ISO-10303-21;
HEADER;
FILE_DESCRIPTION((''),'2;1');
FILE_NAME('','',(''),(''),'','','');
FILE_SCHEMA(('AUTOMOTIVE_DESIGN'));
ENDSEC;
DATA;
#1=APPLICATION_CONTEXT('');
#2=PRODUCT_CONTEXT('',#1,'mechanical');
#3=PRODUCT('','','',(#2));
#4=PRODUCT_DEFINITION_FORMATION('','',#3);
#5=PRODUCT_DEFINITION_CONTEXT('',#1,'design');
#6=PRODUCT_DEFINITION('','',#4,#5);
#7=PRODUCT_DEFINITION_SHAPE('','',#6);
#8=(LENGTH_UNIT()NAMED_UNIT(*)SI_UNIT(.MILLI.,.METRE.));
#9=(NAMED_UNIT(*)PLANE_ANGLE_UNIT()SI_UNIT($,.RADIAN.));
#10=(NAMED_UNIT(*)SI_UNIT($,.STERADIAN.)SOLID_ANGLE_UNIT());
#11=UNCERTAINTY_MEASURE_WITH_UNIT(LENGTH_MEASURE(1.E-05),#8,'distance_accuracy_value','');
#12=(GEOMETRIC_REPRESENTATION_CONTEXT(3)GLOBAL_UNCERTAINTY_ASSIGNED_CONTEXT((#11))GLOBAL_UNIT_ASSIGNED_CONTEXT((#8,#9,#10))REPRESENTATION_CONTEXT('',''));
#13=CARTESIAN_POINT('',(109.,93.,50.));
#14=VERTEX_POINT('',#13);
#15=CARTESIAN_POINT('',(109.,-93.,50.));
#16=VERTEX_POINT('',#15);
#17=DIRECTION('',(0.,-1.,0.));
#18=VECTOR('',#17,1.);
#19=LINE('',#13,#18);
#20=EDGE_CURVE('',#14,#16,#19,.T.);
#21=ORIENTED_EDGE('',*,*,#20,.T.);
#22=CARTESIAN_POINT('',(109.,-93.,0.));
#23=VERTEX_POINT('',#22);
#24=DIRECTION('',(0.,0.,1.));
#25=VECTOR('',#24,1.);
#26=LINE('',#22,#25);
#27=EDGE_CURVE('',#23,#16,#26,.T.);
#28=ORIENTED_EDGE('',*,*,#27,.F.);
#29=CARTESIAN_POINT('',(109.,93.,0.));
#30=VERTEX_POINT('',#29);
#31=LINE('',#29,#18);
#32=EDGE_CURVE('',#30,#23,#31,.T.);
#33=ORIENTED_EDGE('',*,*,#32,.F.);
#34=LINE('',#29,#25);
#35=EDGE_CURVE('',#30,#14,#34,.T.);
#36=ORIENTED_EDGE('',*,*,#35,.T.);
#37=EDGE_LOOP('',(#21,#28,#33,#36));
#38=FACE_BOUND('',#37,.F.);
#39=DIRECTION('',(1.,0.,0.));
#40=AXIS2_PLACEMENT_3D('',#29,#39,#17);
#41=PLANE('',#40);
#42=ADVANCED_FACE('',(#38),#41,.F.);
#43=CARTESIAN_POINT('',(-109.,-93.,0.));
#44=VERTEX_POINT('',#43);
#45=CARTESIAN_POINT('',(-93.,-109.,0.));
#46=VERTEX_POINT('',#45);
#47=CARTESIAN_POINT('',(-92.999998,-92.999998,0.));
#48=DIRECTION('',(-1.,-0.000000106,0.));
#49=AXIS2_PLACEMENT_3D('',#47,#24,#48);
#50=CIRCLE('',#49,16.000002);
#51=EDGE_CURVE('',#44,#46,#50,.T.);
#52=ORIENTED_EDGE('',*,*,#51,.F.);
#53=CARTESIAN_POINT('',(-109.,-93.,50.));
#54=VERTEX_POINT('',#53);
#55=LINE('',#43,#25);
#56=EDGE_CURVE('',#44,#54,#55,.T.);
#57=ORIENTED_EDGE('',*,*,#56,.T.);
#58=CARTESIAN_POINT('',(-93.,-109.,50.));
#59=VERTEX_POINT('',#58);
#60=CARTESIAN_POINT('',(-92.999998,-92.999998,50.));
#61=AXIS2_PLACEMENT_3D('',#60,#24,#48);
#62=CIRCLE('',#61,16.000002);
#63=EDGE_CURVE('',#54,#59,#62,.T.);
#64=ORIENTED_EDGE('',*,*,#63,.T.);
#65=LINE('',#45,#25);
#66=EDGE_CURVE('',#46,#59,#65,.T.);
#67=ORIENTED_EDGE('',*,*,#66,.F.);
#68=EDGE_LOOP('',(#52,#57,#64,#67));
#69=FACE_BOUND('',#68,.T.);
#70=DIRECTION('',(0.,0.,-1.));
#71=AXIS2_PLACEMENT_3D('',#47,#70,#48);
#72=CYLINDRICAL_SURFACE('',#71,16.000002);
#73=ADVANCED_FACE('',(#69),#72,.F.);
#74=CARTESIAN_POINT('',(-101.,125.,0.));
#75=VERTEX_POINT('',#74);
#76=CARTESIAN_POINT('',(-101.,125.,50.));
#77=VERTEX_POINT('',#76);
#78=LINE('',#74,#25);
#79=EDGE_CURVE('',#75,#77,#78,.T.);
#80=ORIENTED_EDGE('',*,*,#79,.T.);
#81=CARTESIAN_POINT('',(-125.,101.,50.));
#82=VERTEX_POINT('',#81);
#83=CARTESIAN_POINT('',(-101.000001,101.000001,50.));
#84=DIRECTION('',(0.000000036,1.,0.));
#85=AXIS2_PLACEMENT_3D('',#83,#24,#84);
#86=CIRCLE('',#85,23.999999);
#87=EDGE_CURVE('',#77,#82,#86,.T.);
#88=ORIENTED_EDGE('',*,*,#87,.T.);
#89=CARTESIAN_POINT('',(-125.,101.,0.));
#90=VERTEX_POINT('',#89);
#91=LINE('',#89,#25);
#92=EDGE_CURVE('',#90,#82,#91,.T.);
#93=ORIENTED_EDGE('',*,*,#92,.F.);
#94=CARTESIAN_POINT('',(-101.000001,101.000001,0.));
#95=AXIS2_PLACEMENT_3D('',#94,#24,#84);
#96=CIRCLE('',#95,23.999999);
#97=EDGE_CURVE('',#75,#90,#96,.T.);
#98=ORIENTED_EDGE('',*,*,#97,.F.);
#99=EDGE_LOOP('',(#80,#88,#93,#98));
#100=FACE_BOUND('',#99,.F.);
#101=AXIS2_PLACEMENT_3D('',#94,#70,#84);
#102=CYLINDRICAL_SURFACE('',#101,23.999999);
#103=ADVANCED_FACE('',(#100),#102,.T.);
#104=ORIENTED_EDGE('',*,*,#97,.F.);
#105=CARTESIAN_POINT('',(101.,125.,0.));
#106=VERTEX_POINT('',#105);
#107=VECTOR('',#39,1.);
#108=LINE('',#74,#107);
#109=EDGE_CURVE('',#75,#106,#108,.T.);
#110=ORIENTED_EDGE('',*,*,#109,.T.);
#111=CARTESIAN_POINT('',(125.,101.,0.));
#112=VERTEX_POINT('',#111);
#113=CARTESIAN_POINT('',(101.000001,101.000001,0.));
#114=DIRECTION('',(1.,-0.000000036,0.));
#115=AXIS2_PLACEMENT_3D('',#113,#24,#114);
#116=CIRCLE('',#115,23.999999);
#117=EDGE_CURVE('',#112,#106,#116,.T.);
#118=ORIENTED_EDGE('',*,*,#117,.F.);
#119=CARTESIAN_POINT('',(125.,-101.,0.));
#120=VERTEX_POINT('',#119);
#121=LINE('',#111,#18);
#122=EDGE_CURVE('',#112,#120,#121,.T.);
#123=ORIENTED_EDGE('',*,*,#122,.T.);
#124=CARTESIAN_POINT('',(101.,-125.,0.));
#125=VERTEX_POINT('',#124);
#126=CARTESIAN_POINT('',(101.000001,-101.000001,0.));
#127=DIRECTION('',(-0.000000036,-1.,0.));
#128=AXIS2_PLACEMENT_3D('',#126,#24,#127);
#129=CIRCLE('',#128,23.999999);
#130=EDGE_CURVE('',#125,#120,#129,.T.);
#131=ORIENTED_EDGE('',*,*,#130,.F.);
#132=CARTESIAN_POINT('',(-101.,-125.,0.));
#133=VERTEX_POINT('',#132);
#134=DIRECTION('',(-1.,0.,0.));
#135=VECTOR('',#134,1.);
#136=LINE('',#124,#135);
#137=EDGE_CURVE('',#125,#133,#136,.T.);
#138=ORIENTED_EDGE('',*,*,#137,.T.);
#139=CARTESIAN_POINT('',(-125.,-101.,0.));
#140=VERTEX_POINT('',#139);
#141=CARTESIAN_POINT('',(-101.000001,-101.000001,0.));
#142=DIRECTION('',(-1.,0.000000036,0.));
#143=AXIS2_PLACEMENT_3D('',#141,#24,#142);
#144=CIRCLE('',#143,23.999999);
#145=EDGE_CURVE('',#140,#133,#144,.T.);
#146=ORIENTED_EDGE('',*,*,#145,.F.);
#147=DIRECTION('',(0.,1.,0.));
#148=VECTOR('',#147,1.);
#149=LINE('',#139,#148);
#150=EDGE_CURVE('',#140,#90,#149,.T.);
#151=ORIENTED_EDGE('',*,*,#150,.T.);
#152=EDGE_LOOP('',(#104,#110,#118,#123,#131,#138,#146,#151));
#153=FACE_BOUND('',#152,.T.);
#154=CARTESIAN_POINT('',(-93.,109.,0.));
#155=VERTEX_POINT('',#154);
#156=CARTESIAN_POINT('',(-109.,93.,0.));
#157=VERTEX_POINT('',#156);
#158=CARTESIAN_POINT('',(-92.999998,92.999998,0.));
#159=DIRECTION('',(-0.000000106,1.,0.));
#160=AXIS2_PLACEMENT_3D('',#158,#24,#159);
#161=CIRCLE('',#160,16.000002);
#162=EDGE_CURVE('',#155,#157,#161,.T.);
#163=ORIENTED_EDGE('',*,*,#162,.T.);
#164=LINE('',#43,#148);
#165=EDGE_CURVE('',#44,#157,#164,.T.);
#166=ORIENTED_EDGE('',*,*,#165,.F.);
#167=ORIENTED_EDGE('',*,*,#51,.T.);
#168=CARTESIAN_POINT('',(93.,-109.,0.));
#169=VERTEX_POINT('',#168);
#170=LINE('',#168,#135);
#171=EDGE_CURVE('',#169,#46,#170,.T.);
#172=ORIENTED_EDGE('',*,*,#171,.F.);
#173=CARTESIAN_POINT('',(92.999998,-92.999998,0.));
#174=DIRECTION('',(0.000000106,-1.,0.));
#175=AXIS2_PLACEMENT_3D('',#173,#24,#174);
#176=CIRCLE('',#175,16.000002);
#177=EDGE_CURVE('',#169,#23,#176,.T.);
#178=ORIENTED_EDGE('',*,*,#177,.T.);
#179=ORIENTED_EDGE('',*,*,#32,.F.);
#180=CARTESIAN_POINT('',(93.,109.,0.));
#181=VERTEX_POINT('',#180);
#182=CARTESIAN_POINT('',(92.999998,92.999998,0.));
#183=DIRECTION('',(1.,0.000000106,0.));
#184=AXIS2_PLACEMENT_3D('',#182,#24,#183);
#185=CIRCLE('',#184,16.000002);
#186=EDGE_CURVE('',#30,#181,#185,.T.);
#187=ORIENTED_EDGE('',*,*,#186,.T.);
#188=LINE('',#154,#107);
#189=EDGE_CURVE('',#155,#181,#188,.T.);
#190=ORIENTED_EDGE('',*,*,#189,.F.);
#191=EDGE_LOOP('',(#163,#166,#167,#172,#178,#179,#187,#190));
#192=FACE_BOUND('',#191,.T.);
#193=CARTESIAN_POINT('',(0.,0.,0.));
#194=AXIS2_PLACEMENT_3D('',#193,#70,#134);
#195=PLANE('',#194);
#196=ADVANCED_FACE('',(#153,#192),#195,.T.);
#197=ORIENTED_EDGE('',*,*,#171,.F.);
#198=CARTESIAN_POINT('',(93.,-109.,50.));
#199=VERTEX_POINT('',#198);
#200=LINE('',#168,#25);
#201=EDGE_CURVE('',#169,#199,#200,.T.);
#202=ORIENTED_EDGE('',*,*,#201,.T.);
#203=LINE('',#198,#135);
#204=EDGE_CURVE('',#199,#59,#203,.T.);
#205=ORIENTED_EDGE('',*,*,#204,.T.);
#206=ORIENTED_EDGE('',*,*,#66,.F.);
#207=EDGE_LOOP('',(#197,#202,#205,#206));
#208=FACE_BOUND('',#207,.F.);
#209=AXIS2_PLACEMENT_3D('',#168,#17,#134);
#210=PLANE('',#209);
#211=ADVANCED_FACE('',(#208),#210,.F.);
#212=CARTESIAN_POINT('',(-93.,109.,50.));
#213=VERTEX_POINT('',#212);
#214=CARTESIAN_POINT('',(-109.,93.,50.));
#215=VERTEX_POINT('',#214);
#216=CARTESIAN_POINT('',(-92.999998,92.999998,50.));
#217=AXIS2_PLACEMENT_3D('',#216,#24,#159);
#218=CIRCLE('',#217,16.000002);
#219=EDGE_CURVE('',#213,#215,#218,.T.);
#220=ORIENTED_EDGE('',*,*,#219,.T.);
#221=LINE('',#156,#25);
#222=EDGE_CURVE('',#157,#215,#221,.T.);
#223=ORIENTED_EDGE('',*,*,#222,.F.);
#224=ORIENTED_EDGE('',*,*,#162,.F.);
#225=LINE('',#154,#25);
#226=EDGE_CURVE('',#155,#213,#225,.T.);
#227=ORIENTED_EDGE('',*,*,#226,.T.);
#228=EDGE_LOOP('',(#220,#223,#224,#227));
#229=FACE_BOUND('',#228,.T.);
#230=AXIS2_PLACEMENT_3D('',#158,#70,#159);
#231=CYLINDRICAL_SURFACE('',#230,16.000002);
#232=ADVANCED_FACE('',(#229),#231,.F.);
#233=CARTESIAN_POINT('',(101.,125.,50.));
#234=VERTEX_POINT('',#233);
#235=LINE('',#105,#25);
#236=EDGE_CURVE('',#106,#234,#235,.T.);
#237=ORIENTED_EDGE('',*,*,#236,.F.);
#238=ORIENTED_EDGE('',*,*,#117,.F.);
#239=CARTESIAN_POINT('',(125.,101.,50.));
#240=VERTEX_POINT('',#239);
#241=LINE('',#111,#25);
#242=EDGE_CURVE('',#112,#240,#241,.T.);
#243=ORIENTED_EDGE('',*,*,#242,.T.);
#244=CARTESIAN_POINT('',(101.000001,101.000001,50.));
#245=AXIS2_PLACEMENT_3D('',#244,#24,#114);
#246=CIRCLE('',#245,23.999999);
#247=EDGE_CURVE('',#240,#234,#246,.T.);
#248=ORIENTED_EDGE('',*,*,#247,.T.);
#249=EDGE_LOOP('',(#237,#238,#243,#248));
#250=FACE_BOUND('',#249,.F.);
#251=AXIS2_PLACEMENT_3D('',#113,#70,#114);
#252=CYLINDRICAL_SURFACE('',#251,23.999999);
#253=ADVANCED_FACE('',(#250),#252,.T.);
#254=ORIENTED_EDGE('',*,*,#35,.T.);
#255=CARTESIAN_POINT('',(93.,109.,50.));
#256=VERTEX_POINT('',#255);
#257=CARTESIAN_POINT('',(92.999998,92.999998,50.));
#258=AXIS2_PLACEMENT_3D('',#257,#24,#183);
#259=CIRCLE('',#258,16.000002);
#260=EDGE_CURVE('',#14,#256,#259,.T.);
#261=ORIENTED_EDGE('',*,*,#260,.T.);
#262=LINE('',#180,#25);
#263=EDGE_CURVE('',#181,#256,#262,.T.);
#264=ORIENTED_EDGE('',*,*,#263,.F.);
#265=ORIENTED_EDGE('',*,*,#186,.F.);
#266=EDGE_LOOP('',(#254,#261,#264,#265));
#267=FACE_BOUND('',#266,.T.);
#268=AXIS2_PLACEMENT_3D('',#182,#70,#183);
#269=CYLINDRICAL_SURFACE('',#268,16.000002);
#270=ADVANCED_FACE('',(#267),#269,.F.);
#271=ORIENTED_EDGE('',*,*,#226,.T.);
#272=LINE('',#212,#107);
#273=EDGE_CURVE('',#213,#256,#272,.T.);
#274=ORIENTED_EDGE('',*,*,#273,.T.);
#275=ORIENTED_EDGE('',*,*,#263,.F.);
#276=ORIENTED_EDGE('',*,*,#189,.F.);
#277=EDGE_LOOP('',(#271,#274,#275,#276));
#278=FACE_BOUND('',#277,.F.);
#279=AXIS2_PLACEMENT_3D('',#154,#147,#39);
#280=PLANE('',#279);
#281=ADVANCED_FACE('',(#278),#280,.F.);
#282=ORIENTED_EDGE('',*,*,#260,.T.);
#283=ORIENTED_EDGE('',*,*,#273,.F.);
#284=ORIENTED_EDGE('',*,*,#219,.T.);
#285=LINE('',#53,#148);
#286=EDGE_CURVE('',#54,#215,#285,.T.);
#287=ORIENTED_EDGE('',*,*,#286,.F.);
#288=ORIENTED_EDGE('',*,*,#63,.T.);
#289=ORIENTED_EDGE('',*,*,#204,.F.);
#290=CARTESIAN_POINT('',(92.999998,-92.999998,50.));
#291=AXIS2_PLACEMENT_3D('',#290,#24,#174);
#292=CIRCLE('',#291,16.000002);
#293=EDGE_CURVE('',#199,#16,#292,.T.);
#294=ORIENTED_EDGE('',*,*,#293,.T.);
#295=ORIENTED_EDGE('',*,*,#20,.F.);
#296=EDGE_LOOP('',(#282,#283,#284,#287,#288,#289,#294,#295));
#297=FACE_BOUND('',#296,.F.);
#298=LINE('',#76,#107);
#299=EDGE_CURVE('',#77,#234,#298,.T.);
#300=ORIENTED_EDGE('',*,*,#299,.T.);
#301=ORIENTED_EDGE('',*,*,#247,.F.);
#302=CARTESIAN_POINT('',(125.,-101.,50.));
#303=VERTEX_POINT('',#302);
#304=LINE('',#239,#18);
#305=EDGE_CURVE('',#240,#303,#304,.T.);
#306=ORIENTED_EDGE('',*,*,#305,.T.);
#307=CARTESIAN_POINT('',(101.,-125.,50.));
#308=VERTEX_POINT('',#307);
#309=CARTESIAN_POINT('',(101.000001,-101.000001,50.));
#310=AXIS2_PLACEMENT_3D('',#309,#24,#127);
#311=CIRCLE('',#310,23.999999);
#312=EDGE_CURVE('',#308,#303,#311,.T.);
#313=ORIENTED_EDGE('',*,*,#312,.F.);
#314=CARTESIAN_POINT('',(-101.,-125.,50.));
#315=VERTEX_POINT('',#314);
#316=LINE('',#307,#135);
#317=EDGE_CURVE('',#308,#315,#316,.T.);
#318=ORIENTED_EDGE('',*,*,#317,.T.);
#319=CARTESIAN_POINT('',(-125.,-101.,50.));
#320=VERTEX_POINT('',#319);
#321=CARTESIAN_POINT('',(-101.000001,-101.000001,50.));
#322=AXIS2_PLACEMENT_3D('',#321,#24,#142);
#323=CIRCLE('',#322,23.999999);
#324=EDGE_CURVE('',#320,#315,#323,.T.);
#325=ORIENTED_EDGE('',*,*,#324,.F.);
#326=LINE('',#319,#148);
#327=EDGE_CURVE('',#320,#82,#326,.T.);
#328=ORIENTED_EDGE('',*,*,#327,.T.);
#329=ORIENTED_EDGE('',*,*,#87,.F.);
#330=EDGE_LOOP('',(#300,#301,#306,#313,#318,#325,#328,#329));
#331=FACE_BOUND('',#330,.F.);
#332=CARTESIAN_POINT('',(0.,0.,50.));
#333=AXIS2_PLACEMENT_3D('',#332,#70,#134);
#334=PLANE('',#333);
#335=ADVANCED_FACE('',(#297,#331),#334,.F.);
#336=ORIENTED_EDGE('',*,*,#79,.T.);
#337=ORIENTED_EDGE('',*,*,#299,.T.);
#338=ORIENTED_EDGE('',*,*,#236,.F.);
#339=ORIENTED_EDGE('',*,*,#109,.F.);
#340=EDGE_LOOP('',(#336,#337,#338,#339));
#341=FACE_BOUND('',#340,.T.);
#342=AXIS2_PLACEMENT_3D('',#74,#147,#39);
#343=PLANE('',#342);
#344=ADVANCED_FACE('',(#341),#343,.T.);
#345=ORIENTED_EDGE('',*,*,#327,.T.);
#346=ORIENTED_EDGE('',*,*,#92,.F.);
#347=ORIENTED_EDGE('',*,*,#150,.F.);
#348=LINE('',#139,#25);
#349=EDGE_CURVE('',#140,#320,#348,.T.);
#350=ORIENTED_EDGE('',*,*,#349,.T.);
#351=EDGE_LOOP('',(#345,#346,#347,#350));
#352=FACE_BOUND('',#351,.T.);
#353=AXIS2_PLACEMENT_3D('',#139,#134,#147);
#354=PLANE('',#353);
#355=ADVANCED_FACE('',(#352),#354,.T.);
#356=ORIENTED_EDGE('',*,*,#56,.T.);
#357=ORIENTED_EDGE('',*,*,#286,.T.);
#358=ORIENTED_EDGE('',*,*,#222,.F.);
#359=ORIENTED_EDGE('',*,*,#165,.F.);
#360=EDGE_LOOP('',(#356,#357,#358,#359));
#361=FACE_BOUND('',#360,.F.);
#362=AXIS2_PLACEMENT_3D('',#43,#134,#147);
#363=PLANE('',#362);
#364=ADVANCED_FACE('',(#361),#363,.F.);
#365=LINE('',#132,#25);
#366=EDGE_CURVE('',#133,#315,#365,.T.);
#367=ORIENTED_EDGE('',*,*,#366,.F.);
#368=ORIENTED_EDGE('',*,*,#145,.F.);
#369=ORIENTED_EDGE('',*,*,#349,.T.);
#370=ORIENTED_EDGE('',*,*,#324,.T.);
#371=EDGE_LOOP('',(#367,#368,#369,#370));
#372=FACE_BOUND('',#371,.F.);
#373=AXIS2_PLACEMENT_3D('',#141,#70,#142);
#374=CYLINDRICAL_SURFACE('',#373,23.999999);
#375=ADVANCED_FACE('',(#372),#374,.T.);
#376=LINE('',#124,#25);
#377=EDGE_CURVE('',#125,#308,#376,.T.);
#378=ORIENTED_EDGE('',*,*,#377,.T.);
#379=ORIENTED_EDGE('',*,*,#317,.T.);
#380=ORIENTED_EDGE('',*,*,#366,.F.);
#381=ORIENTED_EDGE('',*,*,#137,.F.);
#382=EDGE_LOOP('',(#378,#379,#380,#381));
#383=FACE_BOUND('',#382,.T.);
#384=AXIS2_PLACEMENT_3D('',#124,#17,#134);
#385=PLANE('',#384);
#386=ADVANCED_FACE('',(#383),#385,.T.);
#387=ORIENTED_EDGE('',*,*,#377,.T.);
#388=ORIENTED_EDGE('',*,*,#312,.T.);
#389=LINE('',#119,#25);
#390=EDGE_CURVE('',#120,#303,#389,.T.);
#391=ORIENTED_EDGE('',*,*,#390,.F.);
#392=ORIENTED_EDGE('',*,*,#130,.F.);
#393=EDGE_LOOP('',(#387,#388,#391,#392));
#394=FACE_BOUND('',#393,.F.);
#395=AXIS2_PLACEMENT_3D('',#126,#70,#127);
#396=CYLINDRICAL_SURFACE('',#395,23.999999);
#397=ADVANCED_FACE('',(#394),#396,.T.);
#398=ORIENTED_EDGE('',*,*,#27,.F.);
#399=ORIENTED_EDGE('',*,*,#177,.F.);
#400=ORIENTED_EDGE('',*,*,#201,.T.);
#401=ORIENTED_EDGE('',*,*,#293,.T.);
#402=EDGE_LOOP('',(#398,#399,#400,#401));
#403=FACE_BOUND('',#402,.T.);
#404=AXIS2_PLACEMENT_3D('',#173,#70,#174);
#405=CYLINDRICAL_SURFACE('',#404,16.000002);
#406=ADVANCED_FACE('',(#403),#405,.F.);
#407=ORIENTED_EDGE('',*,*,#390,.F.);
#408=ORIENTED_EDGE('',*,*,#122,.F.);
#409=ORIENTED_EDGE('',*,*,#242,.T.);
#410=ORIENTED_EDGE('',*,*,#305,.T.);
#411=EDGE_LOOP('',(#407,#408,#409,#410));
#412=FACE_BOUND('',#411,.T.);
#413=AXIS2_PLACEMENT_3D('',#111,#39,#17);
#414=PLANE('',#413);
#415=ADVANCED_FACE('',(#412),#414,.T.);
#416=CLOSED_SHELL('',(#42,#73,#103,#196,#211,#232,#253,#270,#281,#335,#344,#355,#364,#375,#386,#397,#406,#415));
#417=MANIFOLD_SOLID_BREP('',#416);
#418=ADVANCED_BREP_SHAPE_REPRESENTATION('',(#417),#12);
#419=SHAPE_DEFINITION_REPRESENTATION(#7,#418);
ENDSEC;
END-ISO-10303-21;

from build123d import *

# Parameters (mm, degrees)
EXTRUDE_DEPTH = 50


with BuildPart() as part:
    # Sketch → Extrude (new body)
    with BuildSketch(Plane.XY):
        with BuildLine():
            Line((-101, 125), (101, 125))
            ThreePointArc((125, 101), (117.970563, 117.970563), (101, 125))
            Line((125, 101), (125, -101))
            ThreePointArc((101, -125), (117.970563, -117.970563), (125, -101))
            Line((101, -125), (-101, -125))
            ThreePointArc((-125, -101), (-117.970563, -117.970563), (-101, -125))
            Line((-125, -101), (-125, 101))
            ThreePointArc((-101, 125), (-117.970563, 117.970563), (-125, 101))
        make_face()
        with BuildLine():
            Line((-93, 109), (93, 109))
            ThreePointArc((109, 93), (104.313708, 104.313708), (93, 109))
            Line((109, 93), (109, -93))
            ThreePointArc((93, -109), (104.313708, -104.313708), (109, -93))
            Line((93, -109), (-93, -109))
            ThreePointArc((-109, -93), (-104.313708, -104.313708), (-93, -109))
            Line((-109, -93), (-109, 93))
            ThreePointArc((-93, 109), (-104.313708, 104.313708), (-109, 93))
        make_face(mode=Mode.SUBTRACT)
    extrude(amount=EXTRUDE_DEPTH)


solid = part.part
